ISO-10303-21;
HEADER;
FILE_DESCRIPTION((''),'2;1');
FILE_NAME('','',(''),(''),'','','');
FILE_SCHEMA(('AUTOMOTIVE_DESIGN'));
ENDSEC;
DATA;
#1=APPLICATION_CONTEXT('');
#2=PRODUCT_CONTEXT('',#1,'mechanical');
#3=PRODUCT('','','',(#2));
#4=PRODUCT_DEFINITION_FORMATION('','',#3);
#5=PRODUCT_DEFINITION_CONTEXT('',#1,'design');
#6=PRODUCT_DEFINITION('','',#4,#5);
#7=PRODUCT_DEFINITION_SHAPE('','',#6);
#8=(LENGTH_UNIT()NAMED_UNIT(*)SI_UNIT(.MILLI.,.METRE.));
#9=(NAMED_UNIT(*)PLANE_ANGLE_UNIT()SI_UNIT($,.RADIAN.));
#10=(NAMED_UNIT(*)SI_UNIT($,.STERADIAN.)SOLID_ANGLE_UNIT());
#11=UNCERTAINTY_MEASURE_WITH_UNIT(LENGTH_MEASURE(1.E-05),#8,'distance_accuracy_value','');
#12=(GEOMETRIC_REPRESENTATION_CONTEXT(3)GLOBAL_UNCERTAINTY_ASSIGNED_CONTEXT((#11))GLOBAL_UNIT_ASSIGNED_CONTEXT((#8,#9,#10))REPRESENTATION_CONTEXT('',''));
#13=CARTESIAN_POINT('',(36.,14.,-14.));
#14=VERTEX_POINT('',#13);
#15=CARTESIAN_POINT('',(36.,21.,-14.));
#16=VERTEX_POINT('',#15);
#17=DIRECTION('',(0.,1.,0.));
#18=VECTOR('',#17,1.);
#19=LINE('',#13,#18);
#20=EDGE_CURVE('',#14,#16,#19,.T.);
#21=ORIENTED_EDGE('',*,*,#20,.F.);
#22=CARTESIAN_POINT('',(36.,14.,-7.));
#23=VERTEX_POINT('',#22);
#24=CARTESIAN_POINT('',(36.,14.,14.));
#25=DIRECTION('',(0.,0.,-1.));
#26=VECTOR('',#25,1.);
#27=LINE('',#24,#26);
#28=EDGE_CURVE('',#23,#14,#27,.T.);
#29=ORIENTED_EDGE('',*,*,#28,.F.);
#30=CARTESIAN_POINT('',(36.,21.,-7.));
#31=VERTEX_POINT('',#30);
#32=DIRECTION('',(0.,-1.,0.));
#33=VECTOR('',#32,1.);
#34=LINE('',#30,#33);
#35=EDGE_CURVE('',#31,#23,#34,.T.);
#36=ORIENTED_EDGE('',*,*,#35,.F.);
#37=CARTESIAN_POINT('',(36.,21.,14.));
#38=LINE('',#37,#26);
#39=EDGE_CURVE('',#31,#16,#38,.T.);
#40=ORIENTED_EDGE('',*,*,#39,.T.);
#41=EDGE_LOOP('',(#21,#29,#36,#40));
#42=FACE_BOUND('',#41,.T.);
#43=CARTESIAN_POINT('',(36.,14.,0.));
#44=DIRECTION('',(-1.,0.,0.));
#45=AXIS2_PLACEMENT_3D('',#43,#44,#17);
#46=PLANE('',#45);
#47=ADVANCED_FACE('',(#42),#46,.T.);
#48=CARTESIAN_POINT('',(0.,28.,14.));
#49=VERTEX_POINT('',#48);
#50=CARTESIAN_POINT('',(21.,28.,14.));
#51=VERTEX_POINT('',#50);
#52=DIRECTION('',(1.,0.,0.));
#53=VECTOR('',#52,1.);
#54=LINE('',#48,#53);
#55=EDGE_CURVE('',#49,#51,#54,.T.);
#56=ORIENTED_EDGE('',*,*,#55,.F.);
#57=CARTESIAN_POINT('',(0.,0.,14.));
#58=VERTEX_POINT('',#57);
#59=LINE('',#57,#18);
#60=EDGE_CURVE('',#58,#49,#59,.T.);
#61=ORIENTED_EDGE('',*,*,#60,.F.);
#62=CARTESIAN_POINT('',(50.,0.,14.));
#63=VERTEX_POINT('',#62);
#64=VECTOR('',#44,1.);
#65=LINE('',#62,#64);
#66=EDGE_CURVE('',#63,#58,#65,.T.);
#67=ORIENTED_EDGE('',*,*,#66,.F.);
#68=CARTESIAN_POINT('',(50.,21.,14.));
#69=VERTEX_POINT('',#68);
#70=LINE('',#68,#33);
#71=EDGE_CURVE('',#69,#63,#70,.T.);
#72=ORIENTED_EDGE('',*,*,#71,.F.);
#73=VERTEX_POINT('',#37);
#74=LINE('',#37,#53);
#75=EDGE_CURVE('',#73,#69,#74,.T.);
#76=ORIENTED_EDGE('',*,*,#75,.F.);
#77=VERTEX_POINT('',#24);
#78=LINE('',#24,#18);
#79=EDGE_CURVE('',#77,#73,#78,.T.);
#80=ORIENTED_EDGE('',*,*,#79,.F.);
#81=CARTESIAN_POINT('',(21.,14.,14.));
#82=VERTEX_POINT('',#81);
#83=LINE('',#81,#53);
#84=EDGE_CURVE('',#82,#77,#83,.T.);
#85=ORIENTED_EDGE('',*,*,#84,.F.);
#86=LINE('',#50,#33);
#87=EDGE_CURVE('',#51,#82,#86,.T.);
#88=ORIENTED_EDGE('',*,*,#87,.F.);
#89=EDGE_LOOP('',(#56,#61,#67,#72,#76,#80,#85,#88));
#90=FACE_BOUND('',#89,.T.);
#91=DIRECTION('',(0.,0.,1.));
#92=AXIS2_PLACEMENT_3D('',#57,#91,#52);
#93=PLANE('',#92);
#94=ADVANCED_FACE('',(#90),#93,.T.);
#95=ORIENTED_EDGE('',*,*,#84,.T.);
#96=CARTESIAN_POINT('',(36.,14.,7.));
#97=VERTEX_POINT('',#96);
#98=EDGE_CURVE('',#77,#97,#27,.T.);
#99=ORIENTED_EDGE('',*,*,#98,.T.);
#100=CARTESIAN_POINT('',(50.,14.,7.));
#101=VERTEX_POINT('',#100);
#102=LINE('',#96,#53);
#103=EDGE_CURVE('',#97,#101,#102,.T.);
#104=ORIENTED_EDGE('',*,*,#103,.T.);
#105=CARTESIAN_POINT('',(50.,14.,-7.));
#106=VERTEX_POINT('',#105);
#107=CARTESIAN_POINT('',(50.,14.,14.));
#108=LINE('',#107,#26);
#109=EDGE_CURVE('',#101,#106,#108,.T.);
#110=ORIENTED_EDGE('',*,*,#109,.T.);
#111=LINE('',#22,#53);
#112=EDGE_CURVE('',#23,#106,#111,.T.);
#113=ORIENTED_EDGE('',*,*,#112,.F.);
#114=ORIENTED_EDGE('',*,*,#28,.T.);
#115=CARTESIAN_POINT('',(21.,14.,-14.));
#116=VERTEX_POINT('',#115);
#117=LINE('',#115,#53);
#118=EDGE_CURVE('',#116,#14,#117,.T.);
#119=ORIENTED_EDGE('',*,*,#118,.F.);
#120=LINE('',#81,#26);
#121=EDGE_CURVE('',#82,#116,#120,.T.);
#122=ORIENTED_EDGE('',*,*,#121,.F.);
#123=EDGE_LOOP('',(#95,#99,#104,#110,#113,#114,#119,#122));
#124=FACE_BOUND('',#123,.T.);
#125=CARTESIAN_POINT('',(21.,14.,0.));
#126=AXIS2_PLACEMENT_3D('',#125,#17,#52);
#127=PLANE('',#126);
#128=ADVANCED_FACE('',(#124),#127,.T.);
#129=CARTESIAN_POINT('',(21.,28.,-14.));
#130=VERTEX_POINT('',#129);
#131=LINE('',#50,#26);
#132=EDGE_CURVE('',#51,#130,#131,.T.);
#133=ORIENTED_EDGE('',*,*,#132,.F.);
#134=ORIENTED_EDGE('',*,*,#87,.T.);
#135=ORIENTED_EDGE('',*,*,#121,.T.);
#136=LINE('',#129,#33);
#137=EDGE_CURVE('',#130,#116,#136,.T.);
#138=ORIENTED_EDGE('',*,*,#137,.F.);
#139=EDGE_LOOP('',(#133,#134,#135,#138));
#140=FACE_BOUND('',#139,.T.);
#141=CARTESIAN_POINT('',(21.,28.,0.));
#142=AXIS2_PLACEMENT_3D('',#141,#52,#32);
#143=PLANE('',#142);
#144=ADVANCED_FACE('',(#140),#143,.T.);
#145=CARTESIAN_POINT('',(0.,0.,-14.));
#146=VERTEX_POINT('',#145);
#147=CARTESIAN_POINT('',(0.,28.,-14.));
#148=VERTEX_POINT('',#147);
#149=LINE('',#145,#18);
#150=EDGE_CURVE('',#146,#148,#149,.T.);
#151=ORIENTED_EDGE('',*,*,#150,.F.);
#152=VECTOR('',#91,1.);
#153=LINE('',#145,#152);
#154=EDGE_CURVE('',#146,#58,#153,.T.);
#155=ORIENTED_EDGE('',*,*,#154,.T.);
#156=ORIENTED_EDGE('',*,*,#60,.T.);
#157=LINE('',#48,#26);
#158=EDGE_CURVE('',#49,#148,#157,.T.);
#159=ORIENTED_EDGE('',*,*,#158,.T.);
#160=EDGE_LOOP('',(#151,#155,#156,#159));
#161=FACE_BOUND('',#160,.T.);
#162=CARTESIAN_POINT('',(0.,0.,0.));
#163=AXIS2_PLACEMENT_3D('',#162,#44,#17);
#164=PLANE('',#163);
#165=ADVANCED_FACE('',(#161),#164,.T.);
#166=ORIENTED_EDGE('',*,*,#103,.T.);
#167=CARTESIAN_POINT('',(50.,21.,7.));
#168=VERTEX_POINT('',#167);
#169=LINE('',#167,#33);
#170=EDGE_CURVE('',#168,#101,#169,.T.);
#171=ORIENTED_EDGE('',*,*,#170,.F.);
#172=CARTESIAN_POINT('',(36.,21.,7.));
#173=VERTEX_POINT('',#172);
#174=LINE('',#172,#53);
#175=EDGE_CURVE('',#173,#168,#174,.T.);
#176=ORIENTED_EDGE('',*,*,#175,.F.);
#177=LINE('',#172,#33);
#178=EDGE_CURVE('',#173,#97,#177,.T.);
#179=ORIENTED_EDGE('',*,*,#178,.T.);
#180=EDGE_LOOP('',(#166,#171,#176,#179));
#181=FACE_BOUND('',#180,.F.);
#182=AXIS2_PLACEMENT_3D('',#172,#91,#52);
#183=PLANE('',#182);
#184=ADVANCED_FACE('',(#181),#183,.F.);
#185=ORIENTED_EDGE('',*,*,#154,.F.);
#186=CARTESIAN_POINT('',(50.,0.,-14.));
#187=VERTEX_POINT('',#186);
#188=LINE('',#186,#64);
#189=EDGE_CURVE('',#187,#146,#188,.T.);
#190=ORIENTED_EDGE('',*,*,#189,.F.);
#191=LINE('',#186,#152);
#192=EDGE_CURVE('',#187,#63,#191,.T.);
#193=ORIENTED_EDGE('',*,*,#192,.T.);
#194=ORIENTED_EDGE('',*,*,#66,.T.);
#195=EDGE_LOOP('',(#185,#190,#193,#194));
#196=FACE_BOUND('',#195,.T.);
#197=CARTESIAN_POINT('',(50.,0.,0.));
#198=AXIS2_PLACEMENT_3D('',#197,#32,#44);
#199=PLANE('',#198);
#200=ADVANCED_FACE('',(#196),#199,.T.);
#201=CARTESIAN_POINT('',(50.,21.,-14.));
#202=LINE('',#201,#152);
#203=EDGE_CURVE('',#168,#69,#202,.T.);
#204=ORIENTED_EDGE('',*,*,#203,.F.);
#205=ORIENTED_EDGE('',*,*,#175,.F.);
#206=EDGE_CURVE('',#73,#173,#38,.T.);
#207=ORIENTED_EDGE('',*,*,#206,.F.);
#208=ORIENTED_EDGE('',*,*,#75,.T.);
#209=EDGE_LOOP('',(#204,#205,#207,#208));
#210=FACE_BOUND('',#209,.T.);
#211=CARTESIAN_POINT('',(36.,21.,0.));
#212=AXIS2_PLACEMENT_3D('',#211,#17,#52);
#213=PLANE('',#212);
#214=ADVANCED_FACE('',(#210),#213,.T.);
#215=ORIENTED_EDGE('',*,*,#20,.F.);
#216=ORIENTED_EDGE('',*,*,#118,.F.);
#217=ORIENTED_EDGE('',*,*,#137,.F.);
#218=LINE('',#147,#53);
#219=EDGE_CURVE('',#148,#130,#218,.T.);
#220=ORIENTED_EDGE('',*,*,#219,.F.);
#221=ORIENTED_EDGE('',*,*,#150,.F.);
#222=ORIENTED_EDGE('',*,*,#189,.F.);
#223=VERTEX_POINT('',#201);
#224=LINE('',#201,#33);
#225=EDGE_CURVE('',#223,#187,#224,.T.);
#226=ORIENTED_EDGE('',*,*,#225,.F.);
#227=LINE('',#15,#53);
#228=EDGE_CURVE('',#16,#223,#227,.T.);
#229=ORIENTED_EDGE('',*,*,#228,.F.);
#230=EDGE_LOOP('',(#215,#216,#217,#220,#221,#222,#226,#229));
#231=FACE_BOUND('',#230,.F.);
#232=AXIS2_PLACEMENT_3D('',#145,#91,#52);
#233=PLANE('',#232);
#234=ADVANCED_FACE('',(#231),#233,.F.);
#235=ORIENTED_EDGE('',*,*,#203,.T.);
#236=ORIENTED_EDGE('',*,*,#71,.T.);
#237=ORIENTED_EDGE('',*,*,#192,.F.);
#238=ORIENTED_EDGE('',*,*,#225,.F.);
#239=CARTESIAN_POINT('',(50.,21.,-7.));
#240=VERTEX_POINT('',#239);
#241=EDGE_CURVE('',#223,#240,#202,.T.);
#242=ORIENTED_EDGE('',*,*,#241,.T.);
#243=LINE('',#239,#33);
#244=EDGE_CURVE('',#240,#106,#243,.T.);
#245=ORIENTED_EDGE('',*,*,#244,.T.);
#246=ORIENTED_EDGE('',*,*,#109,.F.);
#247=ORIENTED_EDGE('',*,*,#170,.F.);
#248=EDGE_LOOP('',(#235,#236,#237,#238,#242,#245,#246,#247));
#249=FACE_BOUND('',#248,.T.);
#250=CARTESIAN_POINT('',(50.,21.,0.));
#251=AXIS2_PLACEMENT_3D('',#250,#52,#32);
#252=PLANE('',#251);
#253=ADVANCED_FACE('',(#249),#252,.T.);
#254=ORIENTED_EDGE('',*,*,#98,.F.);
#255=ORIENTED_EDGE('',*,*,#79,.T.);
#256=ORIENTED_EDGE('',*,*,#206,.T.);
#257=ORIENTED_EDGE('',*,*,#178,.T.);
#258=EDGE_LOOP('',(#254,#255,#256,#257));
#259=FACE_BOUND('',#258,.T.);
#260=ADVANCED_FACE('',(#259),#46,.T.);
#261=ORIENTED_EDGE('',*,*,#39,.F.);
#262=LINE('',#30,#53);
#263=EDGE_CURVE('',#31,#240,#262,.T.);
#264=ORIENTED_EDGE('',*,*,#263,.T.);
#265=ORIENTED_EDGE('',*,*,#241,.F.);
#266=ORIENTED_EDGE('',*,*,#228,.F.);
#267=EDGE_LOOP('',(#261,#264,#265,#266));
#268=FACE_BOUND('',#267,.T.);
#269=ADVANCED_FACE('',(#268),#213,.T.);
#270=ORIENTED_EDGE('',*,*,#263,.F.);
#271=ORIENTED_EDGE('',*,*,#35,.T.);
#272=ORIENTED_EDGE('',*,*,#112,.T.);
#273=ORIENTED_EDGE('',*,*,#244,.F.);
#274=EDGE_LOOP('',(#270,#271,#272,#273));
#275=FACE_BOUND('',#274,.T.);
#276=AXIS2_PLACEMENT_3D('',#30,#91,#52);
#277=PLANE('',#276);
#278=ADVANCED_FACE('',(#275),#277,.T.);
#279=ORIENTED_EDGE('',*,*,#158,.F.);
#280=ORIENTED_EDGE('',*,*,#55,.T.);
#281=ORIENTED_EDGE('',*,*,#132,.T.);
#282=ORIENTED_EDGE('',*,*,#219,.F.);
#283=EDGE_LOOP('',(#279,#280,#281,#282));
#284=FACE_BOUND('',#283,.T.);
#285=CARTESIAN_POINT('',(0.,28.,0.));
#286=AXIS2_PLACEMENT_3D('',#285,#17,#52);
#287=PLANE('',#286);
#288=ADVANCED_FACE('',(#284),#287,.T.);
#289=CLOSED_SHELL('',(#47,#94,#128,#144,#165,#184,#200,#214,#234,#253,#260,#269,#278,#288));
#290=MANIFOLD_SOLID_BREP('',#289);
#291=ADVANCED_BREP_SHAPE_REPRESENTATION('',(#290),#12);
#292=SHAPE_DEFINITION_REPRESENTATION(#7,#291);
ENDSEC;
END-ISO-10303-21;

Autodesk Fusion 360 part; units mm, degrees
sketch "Sketch1" plane through (0, 0, 0) normal (0, 0, 1) x (1, 0, 0)
  line L0 (0, 0) -> (0, 28)
  line L1 (0, 28) -> (21, 28)
  line L2 (21, 28) -> (21, 14)
  line L3 (21, 14) -> (36, 14)
  line L4 (36, 14) -> (36, 21)
  line L5 (36, 21) -> (50, 21)
  line L6 (50, 21) -> (50, 0)
  line L7 (50, 0) -> (0, 0)
  dimension "d1" = 21
  dimension "d2" = 14
  dimension "d3" = 14
  dimension "d4" = 21
  dimension "d5" = 28
  dimension "d6" = 7
  dimension "d7" = 50
extrude "Extrude1" add sketch "Sketch1" along normal mid plane 28
sketch "Sketch2" plane through (0, 21, 0) normal (0, 1, 0) x (-1, 0, 0)
  line L0 (-36, -14) -> (-36, 14)
  line L1 (-36, 14) -> (-50, 14)
  line L2 (-50, 14) -> (-50, -14)
  line L3 (-50, -14) -> (-36, -14)
  line L4 (-36, -7) -> (-50, -7)
  line L5 (-36, 7) -> (-50, 7)
  dimension "d10" = 7
  dimension "d11" = 7
extrude "Extrude2" cut sketch "Sketch2" against normal up to surface (7 mm away) contours L0 L2 L4 L5
